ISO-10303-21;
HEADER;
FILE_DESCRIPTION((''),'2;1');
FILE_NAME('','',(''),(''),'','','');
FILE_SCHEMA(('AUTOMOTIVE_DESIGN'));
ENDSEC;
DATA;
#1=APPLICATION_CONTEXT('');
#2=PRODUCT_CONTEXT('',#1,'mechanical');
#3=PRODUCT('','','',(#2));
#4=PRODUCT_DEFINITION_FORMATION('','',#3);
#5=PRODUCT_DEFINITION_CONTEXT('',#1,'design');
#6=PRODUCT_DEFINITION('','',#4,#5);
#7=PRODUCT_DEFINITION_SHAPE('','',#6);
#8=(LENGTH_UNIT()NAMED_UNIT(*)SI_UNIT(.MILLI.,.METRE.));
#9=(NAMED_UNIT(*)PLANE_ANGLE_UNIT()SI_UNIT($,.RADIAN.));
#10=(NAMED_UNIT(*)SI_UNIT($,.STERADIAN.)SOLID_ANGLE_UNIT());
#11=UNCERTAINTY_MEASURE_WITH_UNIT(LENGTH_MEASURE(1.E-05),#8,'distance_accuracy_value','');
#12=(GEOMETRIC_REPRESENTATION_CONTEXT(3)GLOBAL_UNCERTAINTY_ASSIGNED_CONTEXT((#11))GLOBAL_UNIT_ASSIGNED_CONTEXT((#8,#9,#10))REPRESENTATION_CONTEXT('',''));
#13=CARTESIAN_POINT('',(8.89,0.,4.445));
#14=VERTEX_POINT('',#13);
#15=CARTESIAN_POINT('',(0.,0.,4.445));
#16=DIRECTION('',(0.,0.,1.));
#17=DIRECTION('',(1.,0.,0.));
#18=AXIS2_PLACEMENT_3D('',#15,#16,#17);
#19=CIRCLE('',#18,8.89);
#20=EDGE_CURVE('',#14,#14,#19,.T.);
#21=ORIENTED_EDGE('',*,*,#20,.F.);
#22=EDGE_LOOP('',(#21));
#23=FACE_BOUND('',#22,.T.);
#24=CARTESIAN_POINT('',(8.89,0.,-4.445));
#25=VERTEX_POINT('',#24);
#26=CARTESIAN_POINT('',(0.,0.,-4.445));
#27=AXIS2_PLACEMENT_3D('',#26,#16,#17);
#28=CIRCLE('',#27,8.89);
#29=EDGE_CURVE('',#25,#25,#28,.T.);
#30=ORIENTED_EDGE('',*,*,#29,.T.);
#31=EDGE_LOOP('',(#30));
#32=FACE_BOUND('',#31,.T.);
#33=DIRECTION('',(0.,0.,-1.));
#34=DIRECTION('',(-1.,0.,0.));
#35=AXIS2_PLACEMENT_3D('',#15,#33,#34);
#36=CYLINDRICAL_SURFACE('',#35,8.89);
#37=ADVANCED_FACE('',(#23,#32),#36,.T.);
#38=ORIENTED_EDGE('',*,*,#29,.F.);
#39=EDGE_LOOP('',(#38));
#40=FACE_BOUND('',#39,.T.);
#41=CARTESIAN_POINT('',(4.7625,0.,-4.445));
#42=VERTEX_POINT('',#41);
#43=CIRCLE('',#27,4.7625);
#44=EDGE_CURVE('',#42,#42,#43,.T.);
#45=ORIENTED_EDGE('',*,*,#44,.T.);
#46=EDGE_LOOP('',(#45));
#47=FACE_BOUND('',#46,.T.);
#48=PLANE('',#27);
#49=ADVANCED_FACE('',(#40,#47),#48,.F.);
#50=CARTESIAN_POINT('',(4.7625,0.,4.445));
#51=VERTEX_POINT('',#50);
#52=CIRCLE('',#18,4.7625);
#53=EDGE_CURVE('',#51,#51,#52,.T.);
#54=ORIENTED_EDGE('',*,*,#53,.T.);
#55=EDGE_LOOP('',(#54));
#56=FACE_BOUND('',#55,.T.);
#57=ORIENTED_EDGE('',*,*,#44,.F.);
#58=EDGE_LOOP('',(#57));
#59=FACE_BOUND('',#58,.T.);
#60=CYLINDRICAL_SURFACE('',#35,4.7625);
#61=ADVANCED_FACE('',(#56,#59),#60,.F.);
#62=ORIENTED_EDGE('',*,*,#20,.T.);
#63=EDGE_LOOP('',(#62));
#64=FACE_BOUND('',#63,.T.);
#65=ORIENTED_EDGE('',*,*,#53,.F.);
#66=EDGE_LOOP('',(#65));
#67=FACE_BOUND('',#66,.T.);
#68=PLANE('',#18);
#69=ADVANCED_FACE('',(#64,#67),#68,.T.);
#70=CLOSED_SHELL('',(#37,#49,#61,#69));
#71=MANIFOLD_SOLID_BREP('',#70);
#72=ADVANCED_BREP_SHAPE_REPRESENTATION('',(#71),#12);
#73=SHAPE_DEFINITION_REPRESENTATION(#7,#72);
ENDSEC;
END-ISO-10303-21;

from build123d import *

# Parameters (mm, degrees)
SKETCH1_R           = 8.89
SKETCH1_R_2         = 4.7625
BOSS_EXTRUDE1_DEPTH = 4.445


with BuildPart() as part:
    # Sketch1 → Boss-Extrude1 (new, symmetric)
    with BuildSketch(Plane.XY):
        Circle(SKETCH1_R)
        Circle(SKETCH1_R_2, mode=Mode.SUBTRACT)
    extrude(amount=BOSS_EXTRUDE1_DEPTH, both=True)


solid = part.part
